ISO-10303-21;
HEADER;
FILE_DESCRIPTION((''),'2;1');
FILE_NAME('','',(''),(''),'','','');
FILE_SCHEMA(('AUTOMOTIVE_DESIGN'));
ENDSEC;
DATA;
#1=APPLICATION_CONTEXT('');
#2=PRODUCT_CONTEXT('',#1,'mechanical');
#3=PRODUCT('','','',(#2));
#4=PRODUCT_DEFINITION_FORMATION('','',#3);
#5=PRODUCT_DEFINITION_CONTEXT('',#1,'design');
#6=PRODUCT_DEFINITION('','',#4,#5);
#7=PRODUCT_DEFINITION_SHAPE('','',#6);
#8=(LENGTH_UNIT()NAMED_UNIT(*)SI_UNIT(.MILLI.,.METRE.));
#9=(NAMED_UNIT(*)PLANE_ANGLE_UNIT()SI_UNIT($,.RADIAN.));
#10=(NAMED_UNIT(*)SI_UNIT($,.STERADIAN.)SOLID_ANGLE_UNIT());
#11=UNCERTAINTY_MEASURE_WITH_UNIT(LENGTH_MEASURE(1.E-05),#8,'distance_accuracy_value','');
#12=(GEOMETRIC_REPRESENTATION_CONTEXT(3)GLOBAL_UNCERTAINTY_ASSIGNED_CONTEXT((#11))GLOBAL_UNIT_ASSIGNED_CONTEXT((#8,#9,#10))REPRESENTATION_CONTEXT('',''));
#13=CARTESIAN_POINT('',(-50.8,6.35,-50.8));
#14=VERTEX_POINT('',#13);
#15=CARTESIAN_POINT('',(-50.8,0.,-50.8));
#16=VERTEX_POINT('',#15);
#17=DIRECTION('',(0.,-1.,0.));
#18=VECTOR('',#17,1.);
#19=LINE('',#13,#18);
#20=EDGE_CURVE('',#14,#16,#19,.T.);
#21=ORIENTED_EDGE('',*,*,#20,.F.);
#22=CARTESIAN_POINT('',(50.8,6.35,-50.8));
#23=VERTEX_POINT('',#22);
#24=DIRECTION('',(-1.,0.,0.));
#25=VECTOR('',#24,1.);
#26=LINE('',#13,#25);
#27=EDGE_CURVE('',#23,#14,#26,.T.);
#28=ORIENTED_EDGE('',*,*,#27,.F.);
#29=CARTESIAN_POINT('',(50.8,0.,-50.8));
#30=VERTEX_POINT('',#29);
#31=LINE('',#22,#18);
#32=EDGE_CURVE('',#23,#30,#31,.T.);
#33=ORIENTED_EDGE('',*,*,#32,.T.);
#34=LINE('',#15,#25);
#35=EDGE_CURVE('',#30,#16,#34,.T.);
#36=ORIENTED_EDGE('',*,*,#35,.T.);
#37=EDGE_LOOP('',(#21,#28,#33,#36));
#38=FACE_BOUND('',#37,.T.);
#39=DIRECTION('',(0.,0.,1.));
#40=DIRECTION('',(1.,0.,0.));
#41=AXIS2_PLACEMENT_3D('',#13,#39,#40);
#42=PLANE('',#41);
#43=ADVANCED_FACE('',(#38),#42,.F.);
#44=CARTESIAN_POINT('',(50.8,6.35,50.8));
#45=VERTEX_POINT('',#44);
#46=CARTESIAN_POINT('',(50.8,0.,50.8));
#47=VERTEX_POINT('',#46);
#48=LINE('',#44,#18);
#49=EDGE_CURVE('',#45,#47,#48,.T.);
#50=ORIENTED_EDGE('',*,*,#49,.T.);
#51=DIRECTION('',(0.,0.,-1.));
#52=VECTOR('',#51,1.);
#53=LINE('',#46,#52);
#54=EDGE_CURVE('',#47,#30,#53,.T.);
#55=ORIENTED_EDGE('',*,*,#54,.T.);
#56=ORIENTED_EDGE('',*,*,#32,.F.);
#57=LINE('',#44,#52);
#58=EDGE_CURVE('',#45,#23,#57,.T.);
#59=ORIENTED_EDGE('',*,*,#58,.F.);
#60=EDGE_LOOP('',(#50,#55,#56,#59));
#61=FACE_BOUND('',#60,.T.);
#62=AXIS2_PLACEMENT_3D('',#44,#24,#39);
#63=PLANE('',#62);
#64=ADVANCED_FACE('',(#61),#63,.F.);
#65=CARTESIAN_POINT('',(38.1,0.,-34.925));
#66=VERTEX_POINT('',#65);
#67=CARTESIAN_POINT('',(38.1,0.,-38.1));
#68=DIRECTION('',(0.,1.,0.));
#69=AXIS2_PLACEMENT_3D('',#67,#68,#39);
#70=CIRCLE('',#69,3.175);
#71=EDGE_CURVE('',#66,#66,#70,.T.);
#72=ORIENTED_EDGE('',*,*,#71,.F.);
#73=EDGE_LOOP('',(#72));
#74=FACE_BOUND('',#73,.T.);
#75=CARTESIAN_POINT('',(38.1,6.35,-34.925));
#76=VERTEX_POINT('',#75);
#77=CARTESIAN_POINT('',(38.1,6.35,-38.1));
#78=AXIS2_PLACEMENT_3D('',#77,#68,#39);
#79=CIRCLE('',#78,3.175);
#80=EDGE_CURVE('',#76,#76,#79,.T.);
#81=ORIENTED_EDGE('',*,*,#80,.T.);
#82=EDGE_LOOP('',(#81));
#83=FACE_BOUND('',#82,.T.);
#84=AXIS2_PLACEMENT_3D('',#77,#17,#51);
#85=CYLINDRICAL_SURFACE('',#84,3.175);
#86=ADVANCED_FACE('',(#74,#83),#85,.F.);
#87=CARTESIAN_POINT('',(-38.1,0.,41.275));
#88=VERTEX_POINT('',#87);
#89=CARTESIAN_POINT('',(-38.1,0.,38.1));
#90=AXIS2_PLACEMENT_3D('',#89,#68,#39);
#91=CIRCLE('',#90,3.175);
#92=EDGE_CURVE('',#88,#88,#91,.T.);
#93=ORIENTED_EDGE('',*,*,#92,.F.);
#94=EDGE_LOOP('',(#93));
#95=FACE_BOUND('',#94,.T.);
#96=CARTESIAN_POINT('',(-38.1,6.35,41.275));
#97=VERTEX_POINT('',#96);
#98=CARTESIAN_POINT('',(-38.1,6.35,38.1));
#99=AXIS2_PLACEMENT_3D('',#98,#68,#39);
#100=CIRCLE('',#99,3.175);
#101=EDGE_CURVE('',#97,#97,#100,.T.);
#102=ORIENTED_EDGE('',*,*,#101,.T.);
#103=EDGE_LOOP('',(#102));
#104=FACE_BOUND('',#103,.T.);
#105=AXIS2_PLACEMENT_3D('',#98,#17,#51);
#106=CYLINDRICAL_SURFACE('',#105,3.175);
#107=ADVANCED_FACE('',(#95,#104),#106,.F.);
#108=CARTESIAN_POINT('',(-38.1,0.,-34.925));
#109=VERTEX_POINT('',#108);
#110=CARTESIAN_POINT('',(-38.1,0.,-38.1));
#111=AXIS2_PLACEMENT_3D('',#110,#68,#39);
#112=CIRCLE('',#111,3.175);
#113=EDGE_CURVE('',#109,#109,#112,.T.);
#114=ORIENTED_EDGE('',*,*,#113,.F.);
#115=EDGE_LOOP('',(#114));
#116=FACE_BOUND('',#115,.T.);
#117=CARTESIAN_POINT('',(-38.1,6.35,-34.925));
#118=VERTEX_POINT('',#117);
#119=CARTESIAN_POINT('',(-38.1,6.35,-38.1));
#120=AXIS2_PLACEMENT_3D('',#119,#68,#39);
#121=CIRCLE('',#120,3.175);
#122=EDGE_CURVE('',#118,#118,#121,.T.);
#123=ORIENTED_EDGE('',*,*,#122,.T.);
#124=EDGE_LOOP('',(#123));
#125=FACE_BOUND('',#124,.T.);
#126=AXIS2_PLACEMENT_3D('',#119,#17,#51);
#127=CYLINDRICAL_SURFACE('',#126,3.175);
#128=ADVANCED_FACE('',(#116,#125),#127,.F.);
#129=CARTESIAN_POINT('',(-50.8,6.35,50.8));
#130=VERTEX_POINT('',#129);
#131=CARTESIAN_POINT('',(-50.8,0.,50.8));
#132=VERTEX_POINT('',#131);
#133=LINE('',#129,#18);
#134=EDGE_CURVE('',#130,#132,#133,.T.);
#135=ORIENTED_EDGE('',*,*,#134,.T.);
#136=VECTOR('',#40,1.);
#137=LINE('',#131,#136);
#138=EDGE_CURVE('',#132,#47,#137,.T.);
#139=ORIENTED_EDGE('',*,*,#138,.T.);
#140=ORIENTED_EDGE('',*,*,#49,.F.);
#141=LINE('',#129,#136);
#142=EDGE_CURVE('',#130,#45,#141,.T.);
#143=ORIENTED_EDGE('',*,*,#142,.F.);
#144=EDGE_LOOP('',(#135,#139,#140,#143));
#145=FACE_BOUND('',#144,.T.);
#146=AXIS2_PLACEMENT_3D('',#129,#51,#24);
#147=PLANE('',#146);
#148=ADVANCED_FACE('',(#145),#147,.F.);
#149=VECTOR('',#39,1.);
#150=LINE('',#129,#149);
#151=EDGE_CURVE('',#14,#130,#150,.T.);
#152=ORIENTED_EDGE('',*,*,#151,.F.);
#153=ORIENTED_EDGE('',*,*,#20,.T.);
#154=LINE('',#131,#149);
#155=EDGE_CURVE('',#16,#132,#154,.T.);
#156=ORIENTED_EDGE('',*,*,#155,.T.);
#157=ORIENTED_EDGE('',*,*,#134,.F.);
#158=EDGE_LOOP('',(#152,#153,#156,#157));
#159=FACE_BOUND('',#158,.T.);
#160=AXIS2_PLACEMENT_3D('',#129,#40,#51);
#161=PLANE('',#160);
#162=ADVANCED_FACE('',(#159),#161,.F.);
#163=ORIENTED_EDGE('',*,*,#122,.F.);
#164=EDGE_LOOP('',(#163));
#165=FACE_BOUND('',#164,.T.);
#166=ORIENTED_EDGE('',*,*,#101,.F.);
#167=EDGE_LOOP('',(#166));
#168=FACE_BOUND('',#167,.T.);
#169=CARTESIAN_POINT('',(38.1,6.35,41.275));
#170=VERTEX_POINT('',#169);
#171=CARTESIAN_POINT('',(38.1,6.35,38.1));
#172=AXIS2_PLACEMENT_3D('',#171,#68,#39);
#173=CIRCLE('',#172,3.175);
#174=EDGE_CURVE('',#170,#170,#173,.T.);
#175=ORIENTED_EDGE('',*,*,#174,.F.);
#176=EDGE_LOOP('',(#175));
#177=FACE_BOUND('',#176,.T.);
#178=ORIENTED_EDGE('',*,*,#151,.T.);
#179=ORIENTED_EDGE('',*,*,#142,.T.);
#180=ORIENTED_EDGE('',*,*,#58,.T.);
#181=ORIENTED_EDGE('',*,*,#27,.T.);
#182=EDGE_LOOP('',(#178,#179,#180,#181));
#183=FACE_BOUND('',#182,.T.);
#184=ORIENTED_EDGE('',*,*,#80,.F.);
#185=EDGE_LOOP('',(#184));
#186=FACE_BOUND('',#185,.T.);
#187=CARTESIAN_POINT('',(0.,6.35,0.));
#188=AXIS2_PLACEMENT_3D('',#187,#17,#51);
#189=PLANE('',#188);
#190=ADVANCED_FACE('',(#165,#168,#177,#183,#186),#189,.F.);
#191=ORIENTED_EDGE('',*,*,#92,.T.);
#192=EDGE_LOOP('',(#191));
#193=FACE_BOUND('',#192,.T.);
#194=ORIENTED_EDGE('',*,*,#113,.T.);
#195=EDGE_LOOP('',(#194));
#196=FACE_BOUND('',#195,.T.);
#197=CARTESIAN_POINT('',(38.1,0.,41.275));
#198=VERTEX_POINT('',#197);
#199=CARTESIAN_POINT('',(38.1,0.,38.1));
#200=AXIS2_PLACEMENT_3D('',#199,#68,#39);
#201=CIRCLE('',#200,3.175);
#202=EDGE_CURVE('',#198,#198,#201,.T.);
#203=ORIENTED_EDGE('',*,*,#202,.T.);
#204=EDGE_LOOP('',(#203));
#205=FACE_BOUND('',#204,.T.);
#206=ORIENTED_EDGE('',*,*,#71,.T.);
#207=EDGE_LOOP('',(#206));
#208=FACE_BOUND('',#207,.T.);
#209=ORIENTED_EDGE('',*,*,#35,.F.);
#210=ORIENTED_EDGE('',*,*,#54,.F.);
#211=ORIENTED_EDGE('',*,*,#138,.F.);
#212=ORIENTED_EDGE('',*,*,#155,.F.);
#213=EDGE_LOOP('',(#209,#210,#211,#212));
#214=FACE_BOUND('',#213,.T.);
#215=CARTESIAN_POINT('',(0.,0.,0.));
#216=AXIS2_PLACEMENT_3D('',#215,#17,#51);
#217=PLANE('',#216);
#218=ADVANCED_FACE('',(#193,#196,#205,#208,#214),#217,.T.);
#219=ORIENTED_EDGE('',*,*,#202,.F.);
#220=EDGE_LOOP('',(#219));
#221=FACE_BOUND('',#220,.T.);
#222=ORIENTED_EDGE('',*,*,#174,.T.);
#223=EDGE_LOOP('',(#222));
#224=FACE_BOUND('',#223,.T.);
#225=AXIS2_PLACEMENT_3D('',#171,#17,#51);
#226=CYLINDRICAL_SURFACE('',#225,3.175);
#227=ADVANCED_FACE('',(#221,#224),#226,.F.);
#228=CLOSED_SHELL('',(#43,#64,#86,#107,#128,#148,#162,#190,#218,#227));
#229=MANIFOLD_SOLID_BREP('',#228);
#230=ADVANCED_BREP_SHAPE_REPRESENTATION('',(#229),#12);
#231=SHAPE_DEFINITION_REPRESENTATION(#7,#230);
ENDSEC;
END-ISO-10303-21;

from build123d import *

# Parameters (mm, degrees)
SKETCH1_W           = 101.6
SKETCH1_H           = 101.6
SKETCH1_R           = 3.175
BOSS_EXTRUDE1_DEPTH = 6.35


with BuildPart() as part:
    # Sketch1 → Boss-Extrude1 (new body)
    with BuildSketch(Plane(origin=(0, 0, 0), x_dir=(1, 0, 0), z_dir=(0, 1, 0))):
        Rectangle(SKETCH1_W, SKETCH1_H)
        with Locations(Location((-38.1, 38.1, 0), (0, 0, 270))):
            Circle(SKETCH1_R, mode=Mode.SUBTRACT)
        with Locations(Location((38.1, 38.1, 0), (0, 0, 270))):
            Circle(SKETCH1_R, mode=Mode.SUBTRACT)
        with Locations(Location((38.1, -38.1, 0), (0, 0, 270))):
            Circle(SKETCH1_R, mode=Mode.SUBTRACT)
        with Locations(Location((-38.1, -38.1, 0), (0, 0, 270))):
            Circle(SKETCH1_R, mode=Mode.SUBTRACT)
    extrude(amount=BOSS_EXTRUDE1_DEPTH)


solid = part.part
